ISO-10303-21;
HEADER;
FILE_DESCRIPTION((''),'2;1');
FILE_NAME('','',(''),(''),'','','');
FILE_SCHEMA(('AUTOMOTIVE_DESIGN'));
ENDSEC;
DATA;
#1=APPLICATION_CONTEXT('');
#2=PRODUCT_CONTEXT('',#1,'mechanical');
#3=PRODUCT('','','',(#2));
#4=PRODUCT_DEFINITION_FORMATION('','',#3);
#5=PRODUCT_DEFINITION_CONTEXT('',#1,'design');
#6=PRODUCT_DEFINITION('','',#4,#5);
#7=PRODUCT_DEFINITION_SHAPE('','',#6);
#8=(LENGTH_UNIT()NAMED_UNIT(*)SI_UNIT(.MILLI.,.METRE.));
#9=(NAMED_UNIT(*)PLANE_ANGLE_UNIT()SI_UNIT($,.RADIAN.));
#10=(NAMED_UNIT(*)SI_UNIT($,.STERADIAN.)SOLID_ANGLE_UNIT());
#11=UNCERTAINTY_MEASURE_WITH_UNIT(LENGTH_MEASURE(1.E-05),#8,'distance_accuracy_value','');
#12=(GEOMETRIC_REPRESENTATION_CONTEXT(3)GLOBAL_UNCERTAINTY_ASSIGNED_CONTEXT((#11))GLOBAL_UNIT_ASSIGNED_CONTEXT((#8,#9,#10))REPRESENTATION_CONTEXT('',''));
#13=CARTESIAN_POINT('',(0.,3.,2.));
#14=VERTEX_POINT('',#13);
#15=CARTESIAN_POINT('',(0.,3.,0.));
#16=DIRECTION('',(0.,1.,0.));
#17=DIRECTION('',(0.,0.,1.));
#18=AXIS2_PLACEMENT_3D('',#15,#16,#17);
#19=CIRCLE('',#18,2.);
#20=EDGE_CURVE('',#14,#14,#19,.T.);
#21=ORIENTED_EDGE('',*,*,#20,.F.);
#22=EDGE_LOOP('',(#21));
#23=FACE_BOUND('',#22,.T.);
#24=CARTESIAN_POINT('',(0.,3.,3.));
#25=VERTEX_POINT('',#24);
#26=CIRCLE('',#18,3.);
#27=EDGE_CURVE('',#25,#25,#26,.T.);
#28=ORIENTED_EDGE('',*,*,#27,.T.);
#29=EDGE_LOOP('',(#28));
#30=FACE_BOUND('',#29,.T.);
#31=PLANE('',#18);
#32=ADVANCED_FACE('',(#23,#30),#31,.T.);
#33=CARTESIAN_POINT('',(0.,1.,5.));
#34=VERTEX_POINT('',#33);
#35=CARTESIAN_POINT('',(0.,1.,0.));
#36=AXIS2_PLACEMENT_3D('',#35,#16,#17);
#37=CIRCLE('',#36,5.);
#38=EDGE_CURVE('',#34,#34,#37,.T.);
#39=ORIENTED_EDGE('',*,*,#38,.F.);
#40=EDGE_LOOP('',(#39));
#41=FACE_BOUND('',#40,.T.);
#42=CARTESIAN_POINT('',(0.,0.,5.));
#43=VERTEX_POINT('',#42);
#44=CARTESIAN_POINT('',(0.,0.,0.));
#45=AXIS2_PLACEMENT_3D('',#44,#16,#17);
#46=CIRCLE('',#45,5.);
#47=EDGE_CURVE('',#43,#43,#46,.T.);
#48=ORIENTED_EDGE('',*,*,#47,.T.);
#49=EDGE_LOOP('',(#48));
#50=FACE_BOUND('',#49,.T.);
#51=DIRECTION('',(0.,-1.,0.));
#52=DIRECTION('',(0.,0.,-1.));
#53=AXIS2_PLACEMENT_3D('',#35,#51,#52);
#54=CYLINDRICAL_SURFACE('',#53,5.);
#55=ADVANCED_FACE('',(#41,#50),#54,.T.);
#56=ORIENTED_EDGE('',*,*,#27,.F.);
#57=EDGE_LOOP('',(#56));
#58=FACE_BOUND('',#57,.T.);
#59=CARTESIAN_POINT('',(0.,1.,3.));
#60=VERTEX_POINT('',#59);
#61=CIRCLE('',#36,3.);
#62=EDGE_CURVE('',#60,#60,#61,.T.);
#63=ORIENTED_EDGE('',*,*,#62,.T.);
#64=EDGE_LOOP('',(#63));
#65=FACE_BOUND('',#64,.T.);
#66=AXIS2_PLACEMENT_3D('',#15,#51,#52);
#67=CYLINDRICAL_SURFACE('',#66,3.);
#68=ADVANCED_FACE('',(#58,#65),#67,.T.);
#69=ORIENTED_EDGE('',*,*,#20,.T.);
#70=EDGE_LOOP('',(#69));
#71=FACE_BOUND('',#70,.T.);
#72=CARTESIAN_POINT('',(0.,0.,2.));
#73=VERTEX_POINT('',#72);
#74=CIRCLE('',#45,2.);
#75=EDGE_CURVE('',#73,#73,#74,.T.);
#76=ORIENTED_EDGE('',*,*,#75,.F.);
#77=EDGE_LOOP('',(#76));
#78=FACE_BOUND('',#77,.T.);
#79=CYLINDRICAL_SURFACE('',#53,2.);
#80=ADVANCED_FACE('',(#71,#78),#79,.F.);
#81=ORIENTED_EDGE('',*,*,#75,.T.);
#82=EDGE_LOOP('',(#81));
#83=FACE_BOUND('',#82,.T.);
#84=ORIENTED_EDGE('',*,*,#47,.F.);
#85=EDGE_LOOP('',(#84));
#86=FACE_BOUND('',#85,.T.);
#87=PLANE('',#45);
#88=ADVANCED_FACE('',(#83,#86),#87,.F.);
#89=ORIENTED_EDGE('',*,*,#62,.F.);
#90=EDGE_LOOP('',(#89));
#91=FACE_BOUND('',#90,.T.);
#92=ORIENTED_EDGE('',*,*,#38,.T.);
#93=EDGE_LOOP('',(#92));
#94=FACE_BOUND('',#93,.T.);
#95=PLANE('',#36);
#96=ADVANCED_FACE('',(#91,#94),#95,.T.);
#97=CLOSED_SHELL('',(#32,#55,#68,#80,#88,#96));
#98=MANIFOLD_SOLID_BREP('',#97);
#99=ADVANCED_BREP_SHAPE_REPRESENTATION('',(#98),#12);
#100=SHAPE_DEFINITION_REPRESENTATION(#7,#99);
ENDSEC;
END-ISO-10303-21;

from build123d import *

# Parameters (mm, degrees)
SKETCH1_R           = 5
SKETCH1_R_2         = 2
BOSS_EXTRUDE3_DEPTH = 1
SKETCH3_R           = 3
SKETCH3_R_2         = 2
BOSS_EXTRUDE4_DEPTH = 2


with BuildPart() as part:
    # Sketch1 → Boss-Extrude3 (new body)
    with BuildSketch(Plane(origin=(0, 0, 0), x_dir=(1, 0, 0), z_dir=(0, 1, 0))):
        with Locations(Location((0, 0, 0), (0, 0, 270))):
            Circle(SKETCH1_R)
        with Locations(Location((0, 0, 0), (0, 0, 270))):
            Circle(SKETCH1_R_2, mode=Mode.SUBTRACT)
    extrude(amount=BOSS_EXTRUDE3_DEPTH)

    # Sketch3 → Boss-Extrude4 (add)
    with BuildSketch(Plane(origin=(0, 1, 0), x_dir=(1, 0, 0), z_dir=(0, 1, 0))):
        with Locations(Location((0, 0, 0), (0, 0, 270))):
            Circle(SKETCH3_R)
        with Locations(Location((0, 0, 0), (0, 0, 270))):
            Circle(SKETCH3_R_2, mode=Mode.SUBTRACT)
    extrude(amount=BOSS_EXTRUDE4_DEPTH)


solid = part.part
